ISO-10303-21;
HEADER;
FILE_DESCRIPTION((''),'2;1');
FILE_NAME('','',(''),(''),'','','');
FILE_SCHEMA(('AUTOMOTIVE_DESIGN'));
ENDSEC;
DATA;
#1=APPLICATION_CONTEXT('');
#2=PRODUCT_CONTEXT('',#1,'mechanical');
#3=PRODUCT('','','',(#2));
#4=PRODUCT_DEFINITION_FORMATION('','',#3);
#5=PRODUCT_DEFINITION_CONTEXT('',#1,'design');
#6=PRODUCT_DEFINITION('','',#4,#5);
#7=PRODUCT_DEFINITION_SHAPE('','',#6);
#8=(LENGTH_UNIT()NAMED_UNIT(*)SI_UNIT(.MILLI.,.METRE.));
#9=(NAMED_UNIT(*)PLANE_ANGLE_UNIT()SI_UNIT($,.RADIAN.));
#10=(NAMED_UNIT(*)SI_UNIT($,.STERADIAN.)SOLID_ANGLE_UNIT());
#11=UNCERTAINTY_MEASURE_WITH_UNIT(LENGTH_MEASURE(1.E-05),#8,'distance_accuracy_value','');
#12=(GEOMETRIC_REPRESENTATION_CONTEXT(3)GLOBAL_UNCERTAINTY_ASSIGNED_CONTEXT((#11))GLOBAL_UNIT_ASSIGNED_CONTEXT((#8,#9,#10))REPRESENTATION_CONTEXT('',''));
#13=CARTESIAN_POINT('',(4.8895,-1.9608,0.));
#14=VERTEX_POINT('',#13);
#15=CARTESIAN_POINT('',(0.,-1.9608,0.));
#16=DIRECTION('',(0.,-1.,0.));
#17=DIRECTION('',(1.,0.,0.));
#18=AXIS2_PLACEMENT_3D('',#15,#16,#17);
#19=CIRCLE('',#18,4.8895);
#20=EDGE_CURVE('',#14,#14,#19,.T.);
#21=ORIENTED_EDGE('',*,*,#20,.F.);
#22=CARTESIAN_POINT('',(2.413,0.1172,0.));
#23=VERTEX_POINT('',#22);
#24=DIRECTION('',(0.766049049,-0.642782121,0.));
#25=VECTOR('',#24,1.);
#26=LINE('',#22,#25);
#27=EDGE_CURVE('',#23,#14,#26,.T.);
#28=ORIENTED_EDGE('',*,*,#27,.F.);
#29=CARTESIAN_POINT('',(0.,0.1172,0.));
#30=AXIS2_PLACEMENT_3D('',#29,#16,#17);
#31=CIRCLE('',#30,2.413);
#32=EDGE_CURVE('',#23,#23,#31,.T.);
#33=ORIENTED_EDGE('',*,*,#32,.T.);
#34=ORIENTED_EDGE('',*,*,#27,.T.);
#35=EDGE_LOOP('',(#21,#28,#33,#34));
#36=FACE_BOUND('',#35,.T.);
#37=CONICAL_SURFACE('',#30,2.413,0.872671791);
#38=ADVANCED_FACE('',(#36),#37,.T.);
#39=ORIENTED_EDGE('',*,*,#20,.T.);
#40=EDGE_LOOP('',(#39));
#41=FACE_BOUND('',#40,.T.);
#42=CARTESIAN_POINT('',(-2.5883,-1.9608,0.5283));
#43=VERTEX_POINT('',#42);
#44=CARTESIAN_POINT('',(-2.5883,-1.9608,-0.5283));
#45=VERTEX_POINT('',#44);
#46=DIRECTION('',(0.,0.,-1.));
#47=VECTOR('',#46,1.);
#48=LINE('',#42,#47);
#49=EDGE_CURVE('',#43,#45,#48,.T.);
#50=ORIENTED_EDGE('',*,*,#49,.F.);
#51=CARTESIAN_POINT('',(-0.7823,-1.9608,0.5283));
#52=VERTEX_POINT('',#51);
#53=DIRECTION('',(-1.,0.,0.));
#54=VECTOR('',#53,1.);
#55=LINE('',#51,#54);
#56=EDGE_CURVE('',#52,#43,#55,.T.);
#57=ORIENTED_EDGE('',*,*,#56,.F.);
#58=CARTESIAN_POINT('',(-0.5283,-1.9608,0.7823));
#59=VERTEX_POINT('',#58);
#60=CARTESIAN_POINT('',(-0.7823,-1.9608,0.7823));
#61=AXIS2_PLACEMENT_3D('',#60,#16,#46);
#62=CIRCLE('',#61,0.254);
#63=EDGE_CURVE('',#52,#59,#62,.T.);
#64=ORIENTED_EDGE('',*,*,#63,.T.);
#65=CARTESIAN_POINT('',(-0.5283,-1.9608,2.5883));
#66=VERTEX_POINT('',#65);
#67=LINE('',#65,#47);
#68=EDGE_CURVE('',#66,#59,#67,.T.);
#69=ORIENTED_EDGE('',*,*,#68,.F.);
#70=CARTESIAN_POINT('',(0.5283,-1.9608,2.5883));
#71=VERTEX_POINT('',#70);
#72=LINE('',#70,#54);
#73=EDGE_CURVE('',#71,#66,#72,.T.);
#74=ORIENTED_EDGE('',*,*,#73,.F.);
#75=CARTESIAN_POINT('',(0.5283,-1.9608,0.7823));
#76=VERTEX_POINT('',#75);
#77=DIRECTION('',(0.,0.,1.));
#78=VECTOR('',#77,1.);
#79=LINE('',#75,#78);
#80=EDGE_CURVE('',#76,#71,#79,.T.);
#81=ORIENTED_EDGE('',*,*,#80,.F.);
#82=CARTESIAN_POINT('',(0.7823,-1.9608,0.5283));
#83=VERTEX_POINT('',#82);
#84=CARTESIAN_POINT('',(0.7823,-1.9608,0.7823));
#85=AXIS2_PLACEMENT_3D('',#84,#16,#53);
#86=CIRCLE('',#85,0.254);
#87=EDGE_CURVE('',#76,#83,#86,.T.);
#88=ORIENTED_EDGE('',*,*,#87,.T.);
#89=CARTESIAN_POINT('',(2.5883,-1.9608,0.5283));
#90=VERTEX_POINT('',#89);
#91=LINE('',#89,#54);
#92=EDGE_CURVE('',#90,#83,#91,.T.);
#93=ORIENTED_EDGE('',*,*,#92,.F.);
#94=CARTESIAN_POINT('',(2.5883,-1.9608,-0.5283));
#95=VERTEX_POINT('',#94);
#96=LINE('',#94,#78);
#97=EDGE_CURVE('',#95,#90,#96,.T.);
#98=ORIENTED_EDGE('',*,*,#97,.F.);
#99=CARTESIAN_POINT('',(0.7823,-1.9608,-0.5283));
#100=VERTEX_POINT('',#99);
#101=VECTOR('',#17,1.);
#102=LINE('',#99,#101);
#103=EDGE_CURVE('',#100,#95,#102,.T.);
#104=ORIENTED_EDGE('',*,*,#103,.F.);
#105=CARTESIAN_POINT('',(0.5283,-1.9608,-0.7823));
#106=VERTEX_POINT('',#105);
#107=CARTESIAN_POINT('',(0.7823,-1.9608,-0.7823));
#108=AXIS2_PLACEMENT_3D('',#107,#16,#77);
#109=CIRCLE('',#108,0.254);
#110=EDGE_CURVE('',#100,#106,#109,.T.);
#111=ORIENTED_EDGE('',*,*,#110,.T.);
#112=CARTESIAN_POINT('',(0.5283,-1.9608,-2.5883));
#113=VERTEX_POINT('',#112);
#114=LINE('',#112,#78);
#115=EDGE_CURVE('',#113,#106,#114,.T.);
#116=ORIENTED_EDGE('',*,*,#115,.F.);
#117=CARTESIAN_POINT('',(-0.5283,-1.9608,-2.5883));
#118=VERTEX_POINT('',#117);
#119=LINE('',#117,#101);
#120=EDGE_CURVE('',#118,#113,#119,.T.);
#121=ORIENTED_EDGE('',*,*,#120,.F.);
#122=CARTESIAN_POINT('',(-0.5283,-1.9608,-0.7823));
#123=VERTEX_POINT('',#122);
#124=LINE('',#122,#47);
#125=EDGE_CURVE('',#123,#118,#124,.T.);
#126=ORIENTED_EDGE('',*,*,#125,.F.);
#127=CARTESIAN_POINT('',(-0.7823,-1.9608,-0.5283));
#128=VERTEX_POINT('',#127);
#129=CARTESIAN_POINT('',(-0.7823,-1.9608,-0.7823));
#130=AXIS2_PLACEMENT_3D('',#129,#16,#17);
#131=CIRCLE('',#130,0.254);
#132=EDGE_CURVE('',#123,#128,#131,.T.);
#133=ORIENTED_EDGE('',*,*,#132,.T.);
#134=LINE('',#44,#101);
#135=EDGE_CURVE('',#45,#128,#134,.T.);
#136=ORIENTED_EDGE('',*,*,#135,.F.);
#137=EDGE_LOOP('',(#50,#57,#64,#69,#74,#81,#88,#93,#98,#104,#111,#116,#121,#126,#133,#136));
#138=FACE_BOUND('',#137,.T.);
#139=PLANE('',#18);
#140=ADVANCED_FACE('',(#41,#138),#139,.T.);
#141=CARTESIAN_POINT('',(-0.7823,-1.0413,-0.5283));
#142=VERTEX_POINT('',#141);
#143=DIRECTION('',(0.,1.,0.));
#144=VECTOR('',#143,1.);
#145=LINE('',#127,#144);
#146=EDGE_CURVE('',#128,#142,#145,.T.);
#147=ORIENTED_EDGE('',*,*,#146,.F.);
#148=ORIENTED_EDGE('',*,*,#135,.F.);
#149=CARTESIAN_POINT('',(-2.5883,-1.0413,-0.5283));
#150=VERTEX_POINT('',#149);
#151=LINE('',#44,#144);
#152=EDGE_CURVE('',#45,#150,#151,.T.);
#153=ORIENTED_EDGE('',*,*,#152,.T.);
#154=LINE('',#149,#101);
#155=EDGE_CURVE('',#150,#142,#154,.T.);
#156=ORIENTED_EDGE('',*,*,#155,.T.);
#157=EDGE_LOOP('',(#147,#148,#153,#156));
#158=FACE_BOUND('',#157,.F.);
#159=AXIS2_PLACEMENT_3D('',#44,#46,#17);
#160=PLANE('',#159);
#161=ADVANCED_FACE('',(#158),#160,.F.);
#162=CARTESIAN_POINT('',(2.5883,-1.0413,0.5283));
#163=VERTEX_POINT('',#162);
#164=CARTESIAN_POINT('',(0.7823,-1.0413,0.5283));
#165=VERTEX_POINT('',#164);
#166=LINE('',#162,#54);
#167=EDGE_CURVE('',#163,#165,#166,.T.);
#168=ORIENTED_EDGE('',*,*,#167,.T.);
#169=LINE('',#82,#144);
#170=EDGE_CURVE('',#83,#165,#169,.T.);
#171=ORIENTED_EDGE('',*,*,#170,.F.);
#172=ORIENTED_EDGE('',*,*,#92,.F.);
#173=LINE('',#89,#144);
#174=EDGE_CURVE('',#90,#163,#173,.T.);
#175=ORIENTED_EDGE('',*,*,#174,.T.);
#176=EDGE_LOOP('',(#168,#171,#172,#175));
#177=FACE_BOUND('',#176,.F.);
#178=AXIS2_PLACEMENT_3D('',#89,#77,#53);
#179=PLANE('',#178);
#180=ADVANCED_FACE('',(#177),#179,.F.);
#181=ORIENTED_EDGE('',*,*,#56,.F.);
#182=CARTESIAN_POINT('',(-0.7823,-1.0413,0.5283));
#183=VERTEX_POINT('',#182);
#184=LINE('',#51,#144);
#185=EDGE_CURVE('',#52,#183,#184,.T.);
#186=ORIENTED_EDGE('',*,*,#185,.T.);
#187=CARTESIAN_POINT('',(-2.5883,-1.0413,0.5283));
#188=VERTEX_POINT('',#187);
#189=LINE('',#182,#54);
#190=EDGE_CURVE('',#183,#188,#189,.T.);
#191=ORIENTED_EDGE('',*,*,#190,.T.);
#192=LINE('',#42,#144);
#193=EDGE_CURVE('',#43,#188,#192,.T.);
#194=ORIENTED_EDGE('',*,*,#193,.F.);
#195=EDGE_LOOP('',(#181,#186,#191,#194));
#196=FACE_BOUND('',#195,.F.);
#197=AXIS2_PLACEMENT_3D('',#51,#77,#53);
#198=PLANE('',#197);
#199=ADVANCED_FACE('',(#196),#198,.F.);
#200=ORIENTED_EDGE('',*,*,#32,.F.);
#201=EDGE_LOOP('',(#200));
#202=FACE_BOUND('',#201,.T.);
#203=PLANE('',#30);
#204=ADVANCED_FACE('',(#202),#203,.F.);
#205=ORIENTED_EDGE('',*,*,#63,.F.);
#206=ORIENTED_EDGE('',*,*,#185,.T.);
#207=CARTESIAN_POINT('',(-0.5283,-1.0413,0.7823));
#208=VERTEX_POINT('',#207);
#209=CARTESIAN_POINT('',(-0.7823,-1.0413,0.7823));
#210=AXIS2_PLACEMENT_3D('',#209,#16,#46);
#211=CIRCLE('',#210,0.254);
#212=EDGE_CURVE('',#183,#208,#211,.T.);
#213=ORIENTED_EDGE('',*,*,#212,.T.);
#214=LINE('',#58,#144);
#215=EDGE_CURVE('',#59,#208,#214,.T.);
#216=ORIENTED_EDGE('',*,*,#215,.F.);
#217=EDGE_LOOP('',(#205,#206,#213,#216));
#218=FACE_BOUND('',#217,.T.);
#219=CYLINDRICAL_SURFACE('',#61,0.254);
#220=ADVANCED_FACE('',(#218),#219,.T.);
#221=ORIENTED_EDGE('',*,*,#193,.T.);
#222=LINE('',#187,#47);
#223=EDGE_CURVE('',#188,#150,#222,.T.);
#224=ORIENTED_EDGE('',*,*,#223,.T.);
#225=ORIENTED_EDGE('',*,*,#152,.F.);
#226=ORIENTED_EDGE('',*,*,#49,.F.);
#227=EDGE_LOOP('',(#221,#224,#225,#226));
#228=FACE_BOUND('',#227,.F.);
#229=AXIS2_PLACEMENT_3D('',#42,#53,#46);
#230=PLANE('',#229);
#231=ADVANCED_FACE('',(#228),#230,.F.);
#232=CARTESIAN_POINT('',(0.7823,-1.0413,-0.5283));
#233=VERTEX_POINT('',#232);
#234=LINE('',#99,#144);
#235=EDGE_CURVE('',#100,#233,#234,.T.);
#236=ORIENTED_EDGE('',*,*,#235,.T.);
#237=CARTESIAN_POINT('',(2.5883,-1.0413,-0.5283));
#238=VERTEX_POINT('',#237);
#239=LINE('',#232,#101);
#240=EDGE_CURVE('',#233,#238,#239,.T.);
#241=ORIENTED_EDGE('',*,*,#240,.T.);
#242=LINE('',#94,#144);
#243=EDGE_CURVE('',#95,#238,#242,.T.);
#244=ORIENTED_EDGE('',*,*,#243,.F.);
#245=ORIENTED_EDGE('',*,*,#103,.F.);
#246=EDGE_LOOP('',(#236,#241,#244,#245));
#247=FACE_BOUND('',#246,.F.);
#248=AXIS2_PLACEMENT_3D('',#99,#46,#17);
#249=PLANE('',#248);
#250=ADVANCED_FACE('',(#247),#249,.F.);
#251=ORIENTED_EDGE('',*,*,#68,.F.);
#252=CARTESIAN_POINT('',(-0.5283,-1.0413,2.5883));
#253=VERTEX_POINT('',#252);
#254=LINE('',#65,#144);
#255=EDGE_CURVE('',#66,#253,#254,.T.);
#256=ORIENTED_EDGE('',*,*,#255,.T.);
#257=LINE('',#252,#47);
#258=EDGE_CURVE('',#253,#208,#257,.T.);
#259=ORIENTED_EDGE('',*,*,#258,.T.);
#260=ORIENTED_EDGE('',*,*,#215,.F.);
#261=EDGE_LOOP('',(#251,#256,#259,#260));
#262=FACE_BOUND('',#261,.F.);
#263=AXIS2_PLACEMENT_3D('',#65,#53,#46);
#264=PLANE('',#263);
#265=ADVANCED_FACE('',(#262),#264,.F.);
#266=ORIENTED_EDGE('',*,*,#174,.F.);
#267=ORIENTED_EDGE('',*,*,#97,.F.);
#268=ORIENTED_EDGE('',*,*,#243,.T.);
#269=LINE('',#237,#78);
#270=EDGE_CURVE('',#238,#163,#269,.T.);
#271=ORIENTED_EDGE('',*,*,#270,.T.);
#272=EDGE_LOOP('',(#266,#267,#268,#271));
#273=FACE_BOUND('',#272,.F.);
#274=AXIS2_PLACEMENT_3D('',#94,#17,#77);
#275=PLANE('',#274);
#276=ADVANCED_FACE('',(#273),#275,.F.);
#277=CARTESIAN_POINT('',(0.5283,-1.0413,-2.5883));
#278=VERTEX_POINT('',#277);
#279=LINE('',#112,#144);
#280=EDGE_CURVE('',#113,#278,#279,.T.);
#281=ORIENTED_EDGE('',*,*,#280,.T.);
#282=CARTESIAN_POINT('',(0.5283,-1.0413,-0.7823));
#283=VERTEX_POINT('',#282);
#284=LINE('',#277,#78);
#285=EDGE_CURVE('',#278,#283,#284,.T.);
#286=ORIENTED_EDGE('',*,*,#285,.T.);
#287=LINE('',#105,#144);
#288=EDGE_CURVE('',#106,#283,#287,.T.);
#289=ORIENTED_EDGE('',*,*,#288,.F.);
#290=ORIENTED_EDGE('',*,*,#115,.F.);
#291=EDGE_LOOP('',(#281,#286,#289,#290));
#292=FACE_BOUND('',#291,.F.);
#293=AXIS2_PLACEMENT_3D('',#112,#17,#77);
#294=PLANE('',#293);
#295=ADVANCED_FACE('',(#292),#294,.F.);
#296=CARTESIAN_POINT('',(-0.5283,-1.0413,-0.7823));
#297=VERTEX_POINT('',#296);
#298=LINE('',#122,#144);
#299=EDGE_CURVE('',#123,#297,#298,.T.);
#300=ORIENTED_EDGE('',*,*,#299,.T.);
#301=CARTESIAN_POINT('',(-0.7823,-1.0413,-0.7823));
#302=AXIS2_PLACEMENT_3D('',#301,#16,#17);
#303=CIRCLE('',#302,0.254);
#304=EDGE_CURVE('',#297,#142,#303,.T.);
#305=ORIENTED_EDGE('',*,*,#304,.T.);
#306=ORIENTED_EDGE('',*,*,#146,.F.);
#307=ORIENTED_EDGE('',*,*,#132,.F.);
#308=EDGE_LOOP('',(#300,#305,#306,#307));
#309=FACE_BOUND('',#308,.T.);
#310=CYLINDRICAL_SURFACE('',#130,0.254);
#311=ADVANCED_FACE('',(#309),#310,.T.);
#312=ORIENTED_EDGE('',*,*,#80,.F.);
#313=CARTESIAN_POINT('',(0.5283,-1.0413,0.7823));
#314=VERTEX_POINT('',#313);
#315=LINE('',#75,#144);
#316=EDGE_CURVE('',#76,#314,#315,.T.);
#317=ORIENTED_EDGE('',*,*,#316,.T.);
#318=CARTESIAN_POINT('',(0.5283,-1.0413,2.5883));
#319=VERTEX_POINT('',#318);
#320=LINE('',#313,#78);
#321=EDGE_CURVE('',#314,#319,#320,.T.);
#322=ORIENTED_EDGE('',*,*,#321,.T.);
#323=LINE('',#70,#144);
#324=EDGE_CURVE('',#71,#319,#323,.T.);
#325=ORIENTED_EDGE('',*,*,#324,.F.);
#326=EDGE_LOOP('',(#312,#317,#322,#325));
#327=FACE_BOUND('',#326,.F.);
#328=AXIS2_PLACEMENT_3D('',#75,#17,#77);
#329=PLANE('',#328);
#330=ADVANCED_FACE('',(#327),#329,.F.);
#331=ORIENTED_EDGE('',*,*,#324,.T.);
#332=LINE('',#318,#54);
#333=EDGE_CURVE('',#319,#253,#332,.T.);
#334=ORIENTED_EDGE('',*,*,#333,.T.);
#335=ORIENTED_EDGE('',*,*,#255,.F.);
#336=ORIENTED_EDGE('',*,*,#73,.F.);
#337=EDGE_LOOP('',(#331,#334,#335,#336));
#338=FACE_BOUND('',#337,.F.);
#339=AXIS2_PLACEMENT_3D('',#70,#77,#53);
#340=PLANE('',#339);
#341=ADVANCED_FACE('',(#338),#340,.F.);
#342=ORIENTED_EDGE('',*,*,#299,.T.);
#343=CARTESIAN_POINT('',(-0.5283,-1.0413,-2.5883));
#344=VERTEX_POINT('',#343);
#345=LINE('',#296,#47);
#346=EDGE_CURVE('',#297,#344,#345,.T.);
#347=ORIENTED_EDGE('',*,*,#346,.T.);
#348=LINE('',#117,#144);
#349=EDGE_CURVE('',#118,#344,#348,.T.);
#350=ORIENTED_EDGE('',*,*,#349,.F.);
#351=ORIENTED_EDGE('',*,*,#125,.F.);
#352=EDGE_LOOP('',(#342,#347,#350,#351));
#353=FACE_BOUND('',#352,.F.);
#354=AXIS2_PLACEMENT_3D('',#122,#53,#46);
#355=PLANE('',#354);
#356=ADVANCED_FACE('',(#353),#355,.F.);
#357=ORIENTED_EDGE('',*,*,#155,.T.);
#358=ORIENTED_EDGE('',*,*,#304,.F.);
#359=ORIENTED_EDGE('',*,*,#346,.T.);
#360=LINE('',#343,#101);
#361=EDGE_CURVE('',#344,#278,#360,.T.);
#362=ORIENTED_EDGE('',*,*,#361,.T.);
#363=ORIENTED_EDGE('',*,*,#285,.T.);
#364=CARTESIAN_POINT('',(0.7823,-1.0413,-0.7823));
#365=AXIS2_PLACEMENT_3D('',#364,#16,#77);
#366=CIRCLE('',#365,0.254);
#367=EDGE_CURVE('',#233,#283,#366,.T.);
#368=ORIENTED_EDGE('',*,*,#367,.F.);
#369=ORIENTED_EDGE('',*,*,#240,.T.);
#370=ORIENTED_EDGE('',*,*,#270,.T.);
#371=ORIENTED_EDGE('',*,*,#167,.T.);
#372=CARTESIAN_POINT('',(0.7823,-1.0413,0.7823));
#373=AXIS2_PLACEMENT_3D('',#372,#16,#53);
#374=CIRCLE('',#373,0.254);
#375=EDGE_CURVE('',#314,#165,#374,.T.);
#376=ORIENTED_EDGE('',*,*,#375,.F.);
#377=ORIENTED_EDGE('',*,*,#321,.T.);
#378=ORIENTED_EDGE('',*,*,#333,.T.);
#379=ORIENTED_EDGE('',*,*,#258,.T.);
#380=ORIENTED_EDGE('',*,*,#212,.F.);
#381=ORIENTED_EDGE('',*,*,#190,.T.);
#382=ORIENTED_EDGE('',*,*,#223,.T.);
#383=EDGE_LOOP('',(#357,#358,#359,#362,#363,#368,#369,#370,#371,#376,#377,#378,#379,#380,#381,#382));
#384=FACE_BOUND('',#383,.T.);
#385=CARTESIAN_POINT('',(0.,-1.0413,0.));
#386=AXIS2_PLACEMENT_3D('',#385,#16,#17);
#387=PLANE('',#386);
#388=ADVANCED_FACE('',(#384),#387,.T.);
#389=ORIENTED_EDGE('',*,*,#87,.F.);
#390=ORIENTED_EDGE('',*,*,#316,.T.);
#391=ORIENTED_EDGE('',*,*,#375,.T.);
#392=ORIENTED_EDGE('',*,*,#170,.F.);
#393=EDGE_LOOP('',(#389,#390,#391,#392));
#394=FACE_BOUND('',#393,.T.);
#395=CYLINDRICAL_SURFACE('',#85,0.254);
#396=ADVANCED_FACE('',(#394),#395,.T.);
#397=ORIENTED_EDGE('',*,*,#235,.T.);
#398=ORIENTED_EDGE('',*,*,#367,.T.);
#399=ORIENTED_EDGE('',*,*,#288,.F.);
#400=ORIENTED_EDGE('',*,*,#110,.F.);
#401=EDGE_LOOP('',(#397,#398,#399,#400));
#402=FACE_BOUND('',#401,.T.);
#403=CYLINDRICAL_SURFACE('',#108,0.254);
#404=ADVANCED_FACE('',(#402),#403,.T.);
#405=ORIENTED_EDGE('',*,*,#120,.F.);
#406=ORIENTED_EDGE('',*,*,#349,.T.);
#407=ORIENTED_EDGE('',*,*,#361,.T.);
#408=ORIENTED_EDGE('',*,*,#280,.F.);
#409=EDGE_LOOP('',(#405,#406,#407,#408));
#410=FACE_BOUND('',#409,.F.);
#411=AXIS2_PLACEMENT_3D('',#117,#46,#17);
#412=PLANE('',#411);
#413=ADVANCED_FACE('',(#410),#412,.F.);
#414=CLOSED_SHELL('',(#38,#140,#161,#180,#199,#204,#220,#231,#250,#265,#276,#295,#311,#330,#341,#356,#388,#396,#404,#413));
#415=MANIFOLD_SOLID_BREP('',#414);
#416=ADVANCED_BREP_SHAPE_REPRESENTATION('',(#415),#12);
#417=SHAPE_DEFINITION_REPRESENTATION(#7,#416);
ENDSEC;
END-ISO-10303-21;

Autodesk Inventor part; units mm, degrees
sketch "Sketch_3" plane through (0, 0, 0) normal (0, 0, 1) x (1, 0, 0)
  line L0 (0, -1.9608) -> (0, 0.1172)
  line L1 (0, 0.1172) -> (2.413, 0.1172)
  line L2 (2.413, 0.1172) -> (4.8895, -1.9608)
  line L3 (4.8895, -1.9608) -> (0, -1.9608)
  line L4 (0, -1.9608) -> (0, 0.1172)
revolve "Revolution1" add sketch "Sketch_3" angle 360 about axis through (0, -1.9608, 0) along (0, -1, 0)
sketch "Sketch_4" plane through (0, -1.9608, 0) normal (0, -1, 0) x (1, 0, 0)
  line L0 (-2.5883, -0.5283) -> (-0.7823, -0.5283)
  arc A0 (-0.5283, -0.7823) -> (-0.7823, -0.5283) centre (-0.7823, -0.7823) ccw
  line L1 (-0.5283, -0.7823) -> (-0.5283, -2.5883)
  line L2 (-0.5283, -2.5883) -> (0.5283, -2.5883)
  line L3 (0.5283, -2.5883) -> (0.5283, -0.7823)
  arc A1 (0.7823, -0.5283) -> (0.5283, -0.7823) centre (0.7823, -0.7823) ccw
  line L4 (0.7823, -0.5283) -> (2.5883, -0.5283)
  line L5 (2.5883, -0.5283) -> (2.5883, 0.5283)
  line L6 (2.5883, 0.5283) -> (0.7823, 0.5283)
  arc A2 (0.5283, 0.7823) -> (0.7823, 0.5283) centre (0.7823, 0.7823) ccw
  line L7 (0.5283, 0.7823) -> (0.5283, 2.5883)
  line L8 (0.5283, 2.5883) -> (-0.5283, 2.5883)
  line L9 (-0.5283, 2.5883) -> (-0.5283, 0.7823)
  arc A3 (-0.7823, 0.5283) -> (-0.5283, 0.7823) centre (-0.7823, 0.7823) ccw
  line L10 (-0.7823, 0.5283) -> (-2.5883, 0.5283)
  line L11 (-2.5883, 0.5283) -> (-2.5883, -0.5283)
extrude "Extrusion1" cut sketch "Sketch_4" against normal blind 0.9195
ref_plane "screw_XY" through (0, 0, 0) normal (0, 1, 0) x (1, 0, 0)
ref_plane "screw_YZ" through (0, 0, 0) normal (1, 0, 0) x (0, 0, -1)
ref_plane "screw_ZX" through (0, 0, 0) normal (0, 0, -1) x (0, 1, 0)
properties part number "3628_" material "Stainless Steel"
